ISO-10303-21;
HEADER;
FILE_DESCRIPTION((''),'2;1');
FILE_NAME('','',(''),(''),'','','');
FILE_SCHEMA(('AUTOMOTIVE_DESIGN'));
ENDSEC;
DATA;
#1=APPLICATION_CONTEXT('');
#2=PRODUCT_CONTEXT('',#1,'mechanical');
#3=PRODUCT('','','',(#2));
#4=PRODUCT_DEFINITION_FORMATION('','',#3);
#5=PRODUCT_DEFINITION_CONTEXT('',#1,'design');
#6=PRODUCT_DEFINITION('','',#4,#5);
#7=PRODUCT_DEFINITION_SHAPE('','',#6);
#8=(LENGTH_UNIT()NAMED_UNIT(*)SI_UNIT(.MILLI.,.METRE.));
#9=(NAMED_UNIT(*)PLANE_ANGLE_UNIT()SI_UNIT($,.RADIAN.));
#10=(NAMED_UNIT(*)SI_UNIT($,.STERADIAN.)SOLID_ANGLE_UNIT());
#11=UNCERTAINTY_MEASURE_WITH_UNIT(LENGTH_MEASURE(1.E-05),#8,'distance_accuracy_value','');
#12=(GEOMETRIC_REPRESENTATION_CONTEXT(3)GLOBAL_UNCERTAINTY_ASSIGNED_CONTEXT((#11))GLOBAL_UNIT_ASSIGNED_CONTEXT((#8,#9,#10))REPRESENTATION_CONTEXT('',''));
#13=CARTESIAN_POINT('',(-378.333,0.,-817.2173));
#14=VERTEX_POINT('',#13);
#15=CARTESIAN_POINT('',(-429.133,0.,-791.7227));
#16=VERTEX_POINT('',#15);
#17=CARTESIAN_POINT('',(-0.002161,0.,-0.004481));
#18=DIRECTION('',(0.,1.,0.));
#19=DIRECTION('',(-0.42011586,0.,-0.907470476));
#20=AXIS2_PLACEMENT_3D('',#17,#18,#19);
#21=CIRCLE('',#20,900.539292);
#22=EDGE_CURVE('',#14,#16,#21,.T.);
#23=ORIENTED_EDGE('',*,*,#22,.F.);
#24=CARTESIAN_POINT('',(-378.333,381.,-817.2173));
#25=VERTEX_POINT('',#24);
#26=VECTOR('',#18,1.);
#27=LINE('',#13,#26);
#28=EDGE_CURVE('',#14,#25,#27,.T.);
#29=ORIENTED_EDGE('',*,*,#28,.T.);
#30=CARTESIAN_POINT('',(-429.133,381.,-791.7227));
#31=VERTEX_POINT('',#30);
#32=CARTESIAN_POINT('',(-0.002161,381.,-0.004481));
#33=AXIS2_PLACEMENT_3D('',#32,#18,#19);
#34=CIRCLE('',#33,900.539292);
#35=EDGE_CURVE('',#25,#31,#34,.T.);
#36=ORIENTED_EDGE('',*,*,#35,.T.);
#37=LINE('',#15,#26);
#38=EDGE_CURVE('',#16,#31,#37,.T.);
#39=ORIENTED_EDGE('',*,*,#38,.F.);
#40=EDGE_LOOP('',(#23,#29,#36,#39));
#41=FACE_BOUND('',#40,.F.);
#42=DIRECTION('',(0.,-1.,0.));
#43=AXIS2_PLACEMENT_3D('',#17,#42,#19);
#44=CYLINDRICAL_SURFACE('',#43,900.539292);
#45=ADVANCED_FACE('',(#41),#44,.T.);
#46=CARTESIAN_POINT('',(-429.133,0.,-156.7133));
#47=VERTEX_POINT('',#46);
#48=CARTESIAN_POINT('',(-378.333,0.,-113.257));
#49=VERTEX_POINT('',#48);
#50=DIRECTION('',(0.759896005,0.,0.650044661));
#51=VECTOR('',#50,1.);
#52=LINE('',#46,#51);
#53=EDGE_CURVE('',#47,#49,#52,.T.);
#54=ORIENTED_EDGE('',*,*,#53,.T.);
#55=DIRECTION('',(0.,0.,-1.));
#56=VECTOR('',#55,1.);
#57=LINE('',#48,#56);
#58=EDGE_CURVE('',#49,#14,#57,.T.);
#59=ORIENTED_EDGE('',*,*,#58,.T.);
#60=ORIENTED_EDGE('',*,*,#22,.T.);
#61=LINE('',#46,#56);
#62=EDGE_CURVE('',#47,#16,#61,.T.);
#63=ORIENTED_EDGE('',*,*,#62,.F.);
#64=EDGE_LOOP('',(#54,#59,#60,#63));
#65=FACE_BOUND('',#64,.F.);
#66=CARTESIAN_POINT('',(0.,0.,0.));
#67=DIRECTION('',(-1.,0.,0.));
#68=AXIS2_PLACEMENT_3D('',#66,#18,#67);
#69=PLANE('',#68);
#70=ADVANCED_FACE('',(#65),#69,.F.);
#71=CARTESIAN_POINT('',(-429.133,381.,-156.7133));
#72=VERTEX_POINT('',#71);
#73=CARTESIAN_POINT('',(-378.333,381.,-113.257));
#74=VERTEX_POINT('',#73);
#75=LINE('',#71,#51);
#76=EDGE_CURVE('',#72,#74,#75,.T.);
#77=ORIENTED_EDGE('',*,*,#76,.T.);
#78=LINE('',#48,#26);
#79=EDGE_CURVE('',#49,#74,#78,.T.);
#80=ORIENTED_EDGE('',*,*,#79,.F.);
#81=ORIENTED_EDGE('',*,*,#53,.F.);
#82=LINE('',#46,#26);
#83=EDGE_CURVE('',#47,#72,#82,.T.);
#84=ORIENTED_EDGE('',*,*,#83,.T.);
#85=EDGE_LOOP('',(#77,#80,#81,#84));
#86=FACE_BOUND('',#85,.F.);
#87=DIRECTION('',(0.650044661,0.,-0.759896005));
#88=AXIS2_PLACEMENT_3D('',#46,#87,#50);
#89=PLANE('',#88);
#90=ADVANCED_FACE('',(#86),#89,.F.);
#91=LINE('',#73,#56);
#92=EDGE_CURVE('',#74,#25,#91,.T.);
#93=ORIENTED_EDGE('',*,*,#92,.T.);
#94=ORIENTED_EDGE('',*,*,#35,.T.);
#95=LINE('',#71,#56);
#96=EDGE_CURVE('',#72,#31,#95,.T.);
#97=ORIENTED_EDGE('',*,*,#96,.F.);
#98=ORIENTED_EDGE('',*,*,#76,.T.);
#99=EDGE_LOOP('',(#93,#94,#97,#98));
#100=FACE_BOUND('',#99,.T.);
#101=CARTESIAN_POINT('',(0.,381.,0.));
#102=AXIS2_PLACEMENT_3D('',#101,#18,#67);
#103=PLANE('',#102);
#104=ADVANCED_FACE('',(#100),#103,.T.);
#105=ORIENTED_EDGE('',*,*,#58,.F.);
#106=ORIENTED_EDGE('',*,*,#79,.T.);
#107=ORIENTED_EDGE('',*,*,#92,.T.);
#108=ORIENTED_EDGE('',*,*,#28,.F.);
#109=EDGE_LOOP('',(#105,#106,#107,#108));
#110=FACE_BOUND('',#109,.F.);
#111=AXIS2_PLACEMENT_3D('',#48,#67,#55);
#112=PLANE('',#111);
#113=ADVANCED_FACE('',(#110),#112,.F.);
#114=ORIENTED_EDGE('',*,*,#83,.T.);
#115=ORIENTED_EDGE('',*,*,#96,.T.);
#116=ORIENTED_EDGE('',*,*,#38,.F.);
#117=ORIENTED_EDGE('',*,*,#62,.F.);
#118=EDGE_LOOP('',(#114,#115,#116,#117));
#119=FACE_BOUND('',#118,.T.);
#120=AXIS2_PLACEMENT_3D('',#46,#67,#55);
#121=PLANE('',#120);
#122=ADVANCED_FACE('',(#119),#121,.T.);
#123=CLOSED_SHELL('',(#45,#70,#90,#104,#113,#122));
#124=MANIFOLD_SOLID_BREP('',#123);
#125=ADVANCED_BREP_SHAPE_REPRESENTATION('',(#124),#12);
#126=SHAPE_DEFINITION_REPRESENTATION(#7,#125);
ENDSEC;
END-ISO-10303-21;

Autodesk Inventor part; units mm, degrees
ref_plane "YZ Plane" through (0, 0, 0) normal (1, 0, 0) x (0, 1, 0)
ref_plane "XZ Plane" through (0, 0, 0) normal (0, 1, 0) x (-1, 0, 0)
ref_plane "XY Plane" through (0, 0, 0) normal (0, 0, 1) x (1, 0, 0)
sketch "Sketch2" plane through (0, 0, 0) normal (0, 1, 0) x (-1, 0, 0)
  line L0 (429.133, -156.7133) -> (429.133, -791.7227)
  line L1 (378.333, -113.257) -> (378.333, -817.2173)
  arc A0 (378.333, -817.2173) -> (429.133, -791.7227) centre (0, 0) ccw
  line L2 (429.133, -156.7133) -> (378.333, -113.257)
  point P0 (429.133, 791.7227)
extrude "Extrusion2" add sketch "Sketch2" along normal blind 381
properties part number "WinchWall-ver1-1111-2021"
